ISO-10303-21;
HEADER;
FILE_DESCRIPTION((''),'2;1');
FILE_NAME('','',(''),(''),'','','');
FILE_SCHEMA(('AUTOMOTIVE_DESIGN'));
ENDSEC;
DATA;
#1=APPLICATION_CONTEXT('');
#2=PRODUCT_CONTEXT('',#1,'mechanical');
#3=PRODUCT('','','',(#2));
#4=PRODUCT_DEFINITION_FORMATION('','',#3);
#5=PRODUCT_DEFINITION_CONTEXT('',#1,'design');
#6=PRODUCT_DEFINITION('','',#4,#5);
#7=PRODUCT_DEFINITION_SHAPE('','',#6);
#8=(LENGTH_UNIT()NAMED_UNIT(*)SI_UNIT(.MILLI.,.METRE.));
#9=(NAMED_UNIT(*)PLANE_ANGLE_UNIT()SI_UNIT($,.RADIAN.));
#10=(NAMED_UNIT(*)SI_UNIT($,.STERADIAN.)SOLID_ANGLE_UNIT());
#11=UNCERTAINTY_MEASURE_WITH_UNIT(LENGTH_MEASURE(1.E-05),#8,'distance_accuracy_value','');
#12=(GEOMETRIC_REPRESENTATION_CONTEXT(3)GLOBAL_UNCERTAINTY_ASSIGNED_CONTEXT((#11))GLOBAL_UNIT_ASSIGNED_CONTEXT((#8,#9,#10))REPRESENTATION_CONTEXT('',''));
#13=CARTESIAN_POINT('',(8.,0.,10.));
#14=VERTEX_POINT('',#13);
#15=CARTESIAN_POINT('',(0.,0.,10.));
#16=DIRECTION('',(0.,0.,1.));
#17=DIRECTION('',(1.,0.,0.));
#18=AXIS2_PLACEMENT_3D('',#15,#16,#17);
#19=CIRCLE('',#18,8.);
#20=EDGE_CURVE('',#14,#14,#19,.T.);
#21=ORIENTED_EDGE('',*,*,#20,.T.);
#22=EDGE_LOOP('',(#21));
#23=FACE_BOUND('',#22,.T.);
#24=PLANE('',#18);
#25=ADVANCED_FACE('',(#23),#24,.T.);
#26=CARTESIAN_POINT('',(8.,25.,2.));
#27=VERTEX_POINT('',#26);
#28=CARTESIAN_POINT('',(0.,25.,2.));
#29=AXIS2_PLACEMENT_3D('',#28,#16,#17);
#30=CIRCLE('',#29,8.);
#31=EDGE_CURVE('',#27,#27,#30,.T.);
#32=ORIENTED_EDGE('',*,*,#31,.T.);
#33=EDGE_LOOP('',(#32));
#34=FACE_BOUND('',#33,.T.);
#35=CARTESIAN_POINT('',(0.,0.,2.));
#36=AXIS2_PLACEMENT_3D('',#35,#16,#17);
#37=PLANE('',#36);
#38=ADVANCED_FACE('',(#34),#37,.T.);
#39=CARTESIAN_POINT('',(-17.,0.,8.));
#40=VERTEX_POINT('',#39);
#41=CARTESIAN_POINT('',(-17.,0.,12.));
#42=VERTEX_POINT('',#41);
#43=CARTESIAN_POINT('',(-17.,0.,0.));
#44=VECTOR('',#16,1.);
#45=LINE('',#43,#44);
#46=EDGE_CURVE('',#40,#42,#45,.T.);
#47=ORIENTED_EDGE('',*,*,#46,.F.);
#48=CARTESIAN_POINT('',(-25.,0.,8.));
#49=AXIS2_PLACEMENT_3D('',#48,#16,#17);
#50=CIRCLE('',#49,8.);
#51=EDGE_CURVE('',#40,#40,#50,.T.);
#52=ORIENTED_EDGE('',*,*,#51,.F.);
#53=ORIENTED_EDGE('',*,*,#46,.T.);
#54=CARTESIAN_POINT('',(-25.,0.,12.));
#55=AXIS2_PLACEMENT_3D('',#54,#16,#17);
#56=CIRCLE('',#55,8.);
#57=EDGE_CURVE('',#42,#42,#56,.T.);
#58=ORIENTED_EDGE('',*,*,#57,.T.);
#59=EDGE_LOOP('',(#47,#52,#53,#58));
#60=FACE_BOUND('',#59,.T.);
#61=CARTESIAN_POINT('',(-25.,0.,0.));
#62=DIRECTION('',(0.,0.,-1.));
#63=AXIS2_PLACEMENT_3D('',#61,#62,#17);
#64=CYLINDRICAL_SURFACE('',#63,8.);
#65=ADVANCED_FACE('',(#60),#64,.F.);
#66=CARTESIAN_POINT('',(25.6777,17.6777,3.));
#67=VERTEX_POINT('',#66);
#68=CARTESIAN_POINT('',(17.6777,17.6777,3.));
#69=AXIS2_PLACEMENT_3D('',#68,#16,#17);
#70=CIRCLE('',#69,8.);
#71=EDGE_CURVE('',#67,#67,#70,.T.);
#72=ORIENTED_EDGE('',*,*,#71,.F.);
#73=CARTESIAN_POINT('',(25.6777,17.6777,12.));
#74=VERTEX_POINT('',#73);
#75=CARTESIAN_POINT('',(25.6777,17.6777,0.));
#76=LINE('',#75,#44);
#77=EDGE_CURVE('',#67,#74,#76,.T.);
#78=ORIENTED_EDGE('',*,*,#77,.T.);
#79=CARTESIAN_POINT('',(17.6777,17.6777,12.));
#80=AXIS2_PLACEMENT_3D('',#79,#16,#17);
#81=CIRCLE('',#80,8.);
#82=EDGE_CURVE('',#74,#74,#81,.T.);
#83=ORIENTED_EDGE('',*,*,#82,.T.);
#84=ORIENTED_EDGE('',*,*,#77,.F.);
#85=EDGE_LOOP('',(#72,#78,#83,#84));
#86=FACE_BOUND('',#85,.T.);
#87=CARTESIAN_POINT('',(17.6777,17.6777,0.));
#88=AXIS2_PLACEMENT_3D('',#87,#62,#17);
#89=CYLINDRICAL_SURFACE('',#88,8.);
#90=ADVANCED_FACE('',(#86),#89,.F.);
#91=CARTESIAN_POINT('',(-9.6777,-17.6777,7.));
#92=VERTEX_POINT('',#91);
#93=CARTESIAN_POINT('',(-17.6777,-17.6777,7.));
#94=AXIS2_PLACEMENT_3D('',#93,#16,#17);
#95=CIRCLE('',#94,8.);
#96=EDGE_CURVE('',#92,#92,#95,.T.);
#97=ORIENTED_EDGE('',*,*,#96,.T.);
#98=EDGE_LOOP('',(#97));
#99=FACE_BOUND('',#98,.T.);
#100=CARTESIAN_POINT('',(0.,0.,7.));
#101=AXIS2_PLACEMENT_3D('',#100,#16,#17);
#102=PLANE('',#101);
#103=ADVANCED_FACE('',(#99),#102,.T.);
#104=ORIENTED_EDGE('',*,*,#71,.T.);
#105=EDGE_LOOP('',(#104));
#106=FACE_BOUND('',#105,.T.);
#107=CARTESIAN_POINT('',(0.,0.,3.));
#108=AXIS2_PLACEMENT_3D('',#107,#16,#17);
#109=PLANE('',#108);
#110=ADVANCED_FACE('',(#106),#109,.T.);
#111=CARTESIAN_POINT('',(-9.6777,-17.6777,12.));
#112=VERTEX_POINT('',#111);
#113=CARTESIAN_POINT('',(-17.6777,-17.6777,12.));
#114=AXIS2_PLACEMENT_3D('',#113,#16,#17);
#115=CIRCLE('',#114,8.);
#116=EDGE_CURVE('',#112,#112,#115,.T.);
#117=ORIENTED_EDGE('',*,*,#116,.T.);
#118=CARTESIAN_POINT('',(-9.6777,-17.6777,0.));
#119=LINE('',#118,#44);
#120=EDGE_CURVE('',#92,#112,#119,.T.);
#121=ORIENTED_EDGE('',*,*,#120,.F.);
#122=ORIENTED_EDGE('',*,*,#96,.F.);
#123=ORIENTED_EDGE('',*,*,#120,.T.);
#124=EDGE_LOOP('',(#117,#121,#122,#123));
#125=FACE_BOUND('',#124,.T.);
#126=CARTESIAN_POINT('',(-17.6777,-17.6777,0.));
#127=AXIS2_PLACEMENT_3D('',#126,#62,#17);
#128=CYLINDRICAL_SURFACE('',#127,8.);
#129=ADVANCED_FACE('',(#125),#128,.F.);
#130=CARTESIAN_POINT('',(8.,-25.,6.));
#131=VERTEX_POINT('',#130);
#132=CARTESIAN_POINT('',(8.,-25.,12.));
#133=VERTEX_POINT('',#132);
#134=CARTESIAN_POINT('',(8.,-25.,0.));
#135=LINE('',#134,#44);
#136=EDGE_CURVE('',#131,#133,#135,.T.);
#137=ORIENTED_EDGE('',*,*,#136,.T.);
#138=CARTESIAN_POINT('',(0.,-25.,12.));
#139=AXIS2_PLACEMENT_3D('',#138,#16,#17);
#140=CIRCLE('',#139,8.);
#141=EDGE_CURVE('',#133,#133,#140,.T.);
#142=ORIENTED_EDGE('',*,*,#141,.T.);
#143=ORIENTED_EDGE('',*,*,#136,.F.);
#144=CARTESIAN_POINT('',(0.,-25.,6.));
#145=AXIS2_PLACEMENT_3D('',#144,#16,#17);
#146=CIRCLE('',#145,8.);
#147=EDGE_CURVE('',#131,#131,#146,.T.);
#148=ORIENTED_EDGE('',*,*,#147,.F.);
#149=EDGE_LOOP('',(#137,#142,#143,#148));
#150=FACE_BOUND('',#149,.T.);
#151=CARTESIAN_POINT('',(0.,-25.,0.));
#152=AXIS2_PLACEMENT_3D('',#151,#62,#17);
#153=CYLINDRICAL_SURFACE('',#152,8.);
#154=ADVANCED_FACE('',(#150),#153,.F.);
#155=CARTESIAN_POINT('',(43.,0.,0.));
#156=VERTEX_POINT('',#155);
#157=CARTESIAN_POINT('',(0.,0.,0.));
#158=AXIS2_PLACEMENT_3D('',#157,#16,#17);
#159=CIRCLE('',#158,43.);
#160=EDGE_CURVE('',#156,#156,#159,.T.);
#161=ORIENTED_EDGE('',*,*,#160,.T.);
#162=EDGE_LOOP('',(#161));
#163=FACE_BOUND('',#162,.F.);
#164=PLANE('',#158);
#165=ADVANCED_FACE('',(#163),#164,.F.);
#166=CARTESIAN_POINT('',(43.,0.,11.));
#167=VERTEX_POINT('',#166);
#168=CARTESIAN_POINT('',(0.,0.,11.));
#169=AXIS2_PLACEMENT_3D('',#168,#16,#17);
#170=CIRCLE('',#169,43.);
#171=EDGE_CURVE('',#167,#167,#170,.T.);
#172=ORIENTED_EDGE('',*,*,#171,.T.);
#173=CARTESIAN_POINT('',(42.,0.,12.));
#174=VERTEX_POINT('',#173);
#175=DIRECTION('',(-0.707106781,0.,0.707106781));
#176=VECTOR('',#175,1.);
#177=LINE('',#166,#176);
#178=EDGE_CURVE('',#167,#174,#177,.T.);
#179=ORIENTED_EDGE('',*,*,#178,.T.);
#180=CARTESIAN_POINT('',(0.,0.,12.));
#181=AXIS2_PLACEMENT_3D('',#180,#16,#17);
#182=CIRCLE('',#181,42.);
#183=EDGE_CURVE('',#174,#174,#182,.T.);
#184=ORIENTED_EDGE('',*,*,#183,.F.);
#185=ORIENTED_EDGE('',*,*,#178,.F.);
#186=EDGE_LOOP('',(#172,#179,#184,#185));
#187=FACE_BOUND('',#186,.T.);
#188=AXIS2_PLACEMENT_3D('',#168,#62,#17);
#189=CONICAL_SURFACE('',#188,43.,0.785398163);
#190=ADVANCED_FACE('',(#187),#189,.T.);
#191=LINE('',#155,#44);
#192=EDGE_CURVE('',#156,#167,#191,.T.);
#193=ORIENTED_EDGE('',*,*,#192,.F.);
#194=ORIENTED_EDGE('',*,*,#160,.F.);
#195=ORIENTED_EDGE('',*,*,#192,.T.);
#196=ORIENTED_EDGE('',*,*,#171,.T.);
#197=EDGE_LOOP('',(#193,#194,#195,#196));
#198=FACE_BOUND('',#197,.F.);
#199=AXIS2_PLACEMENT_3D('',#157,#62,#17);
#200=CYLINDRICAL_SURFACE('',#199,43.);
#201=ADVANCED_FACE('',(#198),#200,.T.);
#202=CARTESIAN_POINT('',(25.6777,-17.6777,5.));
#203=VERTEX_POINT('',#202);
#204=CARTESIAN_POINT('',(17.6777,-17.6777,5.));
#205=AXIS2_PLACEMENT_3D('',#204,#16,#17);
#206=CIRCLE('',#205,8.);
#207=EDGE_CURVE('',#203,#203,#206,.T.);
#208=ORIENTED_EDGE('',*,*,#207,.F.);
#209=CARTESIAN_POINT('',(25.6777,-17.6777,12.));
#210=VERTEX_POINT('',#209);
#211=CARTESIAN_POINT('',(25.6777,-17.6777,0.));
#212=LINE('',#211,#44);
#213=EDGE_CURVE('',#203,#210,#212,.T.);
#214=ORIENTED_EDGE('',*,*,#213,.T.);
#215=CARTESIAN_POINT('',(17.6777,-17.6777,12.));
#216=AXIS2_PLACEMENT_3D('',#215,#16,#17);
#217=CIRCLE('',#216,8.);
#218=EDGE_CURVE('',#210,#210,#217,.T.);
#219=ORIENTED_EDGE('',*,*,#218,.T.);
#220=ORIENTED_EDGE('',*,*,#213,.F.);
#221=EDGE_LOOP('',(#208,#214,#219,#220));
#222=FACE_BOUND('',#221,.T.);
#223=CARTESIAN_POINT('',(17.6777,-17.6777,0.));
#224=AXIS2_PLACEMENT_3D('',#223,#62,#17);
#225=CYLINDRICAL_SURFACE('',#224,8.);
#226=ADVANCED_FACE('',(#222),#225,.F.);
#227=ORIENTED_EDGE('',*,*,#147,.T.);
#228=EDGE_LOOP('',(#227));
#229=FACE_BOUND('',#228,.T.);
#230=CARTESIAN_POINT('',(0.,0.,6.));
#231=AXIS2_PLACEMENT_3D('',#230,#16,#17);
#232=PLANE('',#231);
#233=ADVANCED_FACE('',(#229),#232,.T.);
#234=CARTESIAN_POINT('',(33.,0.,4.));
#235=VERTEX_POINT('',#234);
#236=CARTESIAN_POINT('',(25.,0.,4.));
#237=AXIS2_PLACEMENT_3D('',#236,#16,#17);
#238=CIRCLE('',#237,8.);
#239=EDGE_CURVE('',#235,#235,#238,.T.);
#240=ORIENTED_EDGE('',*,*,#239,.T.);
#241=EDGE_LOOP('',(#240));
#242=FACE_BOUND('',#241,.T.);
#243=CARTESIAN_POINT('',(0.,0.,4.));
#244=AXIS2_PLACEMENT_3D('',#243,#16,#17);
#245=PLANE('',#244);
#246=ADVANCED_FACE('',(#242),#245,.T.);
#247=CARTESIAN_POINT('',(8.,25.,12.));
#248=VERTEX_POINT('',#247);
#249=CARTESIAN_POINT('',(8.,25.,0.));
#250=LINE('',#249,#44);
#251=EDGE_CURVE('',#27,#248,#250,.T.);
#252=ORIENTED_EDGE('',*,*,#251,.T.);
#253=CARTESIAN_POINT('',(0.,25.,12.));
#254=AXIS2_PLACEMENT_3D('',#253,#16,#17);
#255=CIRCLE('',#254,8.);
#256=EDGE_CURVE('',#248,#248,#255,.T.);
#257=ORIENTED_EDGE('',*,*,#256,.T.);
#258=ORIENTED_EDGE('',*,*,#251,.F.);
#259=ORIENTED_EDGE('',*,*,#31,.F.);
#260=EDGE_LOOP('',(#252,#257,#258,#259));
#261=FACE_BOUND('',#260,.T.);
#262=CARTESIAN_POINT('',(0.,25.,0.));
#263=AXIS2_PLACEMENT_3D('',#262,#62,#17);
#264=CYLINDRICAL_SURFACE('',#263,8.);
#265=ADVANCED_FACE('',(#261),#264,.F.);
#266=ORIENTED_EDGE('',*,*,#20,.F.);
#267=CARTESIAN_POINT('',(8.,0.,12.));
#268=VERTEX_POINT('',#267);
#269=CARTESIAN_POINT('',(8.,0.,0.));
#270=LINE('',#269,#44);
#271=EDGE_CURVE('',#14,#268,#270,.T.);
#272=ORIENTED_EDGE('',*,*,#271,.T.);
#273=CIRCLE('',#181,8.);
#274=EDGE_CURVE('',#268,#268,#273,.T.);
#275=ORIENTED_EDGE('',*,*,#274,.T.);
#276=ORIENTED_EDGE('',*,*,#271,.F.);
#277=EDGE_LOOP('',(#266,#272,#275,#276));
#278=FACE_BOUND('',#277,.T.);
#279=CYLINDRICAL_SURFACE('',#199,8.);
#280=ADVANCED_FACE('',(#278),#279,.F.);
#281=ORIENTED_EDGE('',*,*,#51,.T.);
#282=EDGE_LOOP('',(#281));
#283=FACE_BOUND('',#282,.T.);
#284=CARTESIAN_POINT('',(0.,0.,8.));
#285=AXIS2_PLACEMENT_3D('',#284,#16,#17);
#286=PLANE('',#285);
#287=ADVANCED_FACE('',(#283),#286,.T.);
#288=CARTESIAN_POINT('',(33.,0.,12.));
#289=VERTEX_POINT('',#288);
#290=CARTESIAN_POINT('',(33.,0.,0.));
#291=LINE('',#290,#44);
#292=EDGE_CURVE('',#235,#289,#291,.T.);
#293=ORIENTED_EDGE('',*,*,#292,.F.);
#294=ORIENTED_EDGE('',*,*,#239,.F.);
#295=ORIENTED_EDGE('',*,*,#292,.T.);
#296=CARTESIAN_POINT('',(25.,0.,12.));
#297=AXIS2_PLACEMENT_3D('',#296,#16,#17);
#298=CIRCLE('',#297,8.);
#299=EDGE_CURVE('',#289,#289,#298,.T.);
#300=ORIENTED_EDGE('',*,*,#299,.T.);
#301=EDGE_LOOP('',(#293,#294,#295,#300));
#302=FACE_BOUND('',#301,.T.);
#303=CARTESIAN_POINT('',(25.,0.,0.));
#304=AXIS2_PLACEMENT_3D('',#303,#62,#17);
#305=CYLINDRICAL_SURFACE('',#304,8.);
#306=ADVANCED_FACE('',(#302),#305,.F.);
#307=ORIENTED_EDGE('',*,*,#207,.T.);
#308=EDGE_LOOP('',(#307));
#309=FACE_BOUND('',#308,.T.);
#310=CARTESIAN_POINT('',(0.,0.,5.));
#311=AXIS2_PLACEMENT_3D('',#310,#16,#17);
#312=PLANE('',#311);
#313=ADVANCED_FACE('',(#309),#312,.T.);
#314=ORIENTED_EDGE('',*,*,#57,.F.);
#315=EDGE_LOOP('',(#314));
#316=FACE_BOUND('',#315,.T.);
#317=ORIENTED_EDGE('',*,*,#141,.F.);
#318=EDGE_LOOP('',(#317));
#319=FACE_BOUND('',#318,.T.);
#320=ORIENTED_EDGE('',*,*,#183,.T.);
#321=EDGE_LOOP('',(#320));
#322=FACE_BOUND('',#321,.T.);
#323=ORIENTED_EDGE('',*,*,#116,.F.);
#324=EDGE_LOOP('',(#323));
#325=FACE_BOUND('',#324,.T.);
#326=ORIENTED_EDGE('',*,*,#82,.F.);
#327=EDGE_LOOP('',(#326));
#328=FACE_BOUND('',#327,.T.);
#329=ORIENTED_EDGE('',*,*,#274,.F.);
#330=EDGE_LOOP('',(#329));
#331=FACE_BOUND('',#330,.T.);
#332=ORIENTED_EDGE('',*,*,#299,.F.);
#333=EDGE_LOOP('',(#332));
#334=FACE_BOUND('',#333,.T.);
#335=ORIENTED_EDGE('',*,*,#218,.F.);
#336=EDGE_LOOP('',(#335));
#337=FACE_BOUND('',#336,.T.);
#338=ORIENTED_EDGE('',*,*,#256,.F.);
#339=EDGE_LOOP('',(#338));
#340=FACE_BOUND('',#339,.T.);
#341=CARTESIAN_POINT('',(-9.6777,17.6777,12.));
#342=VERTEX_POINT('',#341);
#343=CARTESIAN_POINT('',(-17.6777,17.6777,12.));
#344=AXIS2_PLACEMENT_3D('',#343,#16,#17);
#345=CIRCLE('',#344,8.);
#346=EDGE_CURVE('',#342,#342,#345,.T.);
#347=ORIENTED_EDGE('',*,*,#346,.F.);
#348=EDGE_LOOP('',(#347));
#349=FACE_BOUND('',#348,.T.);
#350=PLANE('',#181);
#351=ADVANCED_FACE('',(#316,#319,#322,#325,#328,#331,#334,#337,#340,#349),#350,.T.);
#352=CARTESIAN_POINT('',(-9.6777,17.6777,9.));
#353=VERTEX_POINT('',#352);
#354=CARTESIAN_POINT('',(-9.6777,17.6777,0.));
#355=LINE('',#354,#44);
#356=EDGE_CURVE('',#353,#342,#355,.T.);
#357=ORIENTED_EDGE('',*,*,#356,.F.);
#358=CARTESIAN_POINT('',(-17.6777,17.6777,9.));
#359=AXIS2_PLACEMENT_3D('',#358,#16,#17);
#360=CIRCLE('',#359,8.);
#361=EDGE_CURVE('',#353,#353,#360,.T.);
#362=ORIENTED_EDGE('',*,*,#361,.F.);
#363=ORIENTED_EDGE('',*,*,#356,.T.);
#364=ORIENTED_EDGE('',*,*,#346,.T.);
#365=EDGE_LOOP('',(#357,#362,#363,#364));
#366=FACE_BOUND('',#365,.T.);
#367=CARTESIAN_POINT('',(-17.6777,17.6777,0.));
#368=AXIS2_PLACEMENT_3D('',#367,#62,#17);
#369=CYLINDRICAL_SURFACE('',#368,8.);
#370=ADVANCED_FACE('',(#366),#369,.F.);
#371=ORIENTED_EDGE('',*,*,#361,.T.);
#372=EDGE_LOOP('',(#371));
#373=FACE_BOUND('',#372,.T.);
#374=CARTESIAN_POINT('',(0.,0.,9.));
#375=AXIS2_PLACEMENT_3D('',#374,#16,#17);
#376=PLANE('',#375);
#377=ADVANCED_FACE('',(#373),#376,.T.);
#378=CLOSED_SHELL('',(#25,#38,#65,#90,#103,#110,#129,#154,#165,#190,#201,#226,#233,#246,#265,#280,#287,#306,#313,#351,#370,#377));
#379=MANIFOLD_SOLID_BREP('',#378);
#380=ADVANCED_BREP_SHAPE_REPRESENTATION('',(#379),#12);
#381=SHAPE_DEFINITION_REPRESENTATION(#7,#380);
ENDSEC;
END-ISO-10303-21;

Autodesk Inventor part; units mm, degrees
ref_plane "YZ Plane" through (0, 0, 0) normal (1, 0, 0) x (0, 1, 0)
ref_plane "XZ Plane" through (0, 0, 0) normal (0, 1, 0) x (-1, 0, 0)
ref_plane "XY Plane" through (0, 0, 0) normal (0, 0, 1) x (1, 0, 0)
sketch "Sketch1" plane through (0, 0, 0) normal (0, 0, 1) x (1, 0, 0)
  circle A0 centre (0, 0) radius 43
  circle A1 centre (0, 0) radius 8
  circle A2 centre (0, 25) radius 8
  circle A3 centre (-17.6777, 17.6777) radius 8
  circle A4 centre (-25, 0) radius 8
  circle A5 centre (-17.6777, -17.6777) radius 8
  circle A6 centre (0, -25) radius 8
  circle A7 centre (17.6777, -17.6777) radius 8
  circle A8 centre (25, 0) radius 8
  circle A9 centre (17.6777, 17.6777) radius 8
  dimension "diameter" = 16
  dimension "d2" = 16
  dimension "d5" = 360
  dimension "d7" = 25
  dimension "d28" = 86
extrude "Extrusion1" add sketch "Sketch1" along normal blind 12
extrude "Extrusion2" add sketch "Sketch1" along normal blind 2 contours A2
extrude "Extrusion3" add sketch "Sketch1" along normal blind 3 contours A9
extrude "Extrusion4" add sketch "Sketch1" along normal blind 4 contours A8
extrude "Extrusion5" add sketch "Sketch1" along normal blind 5 contours A7
extrude "Extrusion6" add sketch "Sketch1" along normal blind 6 contours A6
extrude "Extrusion7" add sketch "Sketch1" along normal blind 7 contours A5
extrude "Extrusion8" add sketch "Sketch1" along normal blind 8 contours A4
extrude "Extrusion9" add sketch "Sketch1" along normal blind 9 contours A3
extrude "Extrusion10" add sketch "Sketch1" along normal blind 10 contours A1
sketch "Sketch2" plane through (0, 0, 12) normal (0, 0, 1) x (1, 0, 0)
  line L0 (-5.8774, 39.105) -> (5.7366, 39.105) construction
  line L1 (5.7366, 39.105) -> (5.7366, 35.936) construction
  line L2 (5.7366, 35.936) -> (-5.8774, 35.936) construction
  line L3 (-5.8774, 35.936) -> (-5.8774, 39.105) construction
  point P0 (0, 0)
emboss "Emboss1" [suppressed]
chamfer "Chamfer1" distance 1 angle 45 1 edges at (-43, 0, 12)
equation "\"d2\" = diameter"
properties part number "Diameter_16mm"
